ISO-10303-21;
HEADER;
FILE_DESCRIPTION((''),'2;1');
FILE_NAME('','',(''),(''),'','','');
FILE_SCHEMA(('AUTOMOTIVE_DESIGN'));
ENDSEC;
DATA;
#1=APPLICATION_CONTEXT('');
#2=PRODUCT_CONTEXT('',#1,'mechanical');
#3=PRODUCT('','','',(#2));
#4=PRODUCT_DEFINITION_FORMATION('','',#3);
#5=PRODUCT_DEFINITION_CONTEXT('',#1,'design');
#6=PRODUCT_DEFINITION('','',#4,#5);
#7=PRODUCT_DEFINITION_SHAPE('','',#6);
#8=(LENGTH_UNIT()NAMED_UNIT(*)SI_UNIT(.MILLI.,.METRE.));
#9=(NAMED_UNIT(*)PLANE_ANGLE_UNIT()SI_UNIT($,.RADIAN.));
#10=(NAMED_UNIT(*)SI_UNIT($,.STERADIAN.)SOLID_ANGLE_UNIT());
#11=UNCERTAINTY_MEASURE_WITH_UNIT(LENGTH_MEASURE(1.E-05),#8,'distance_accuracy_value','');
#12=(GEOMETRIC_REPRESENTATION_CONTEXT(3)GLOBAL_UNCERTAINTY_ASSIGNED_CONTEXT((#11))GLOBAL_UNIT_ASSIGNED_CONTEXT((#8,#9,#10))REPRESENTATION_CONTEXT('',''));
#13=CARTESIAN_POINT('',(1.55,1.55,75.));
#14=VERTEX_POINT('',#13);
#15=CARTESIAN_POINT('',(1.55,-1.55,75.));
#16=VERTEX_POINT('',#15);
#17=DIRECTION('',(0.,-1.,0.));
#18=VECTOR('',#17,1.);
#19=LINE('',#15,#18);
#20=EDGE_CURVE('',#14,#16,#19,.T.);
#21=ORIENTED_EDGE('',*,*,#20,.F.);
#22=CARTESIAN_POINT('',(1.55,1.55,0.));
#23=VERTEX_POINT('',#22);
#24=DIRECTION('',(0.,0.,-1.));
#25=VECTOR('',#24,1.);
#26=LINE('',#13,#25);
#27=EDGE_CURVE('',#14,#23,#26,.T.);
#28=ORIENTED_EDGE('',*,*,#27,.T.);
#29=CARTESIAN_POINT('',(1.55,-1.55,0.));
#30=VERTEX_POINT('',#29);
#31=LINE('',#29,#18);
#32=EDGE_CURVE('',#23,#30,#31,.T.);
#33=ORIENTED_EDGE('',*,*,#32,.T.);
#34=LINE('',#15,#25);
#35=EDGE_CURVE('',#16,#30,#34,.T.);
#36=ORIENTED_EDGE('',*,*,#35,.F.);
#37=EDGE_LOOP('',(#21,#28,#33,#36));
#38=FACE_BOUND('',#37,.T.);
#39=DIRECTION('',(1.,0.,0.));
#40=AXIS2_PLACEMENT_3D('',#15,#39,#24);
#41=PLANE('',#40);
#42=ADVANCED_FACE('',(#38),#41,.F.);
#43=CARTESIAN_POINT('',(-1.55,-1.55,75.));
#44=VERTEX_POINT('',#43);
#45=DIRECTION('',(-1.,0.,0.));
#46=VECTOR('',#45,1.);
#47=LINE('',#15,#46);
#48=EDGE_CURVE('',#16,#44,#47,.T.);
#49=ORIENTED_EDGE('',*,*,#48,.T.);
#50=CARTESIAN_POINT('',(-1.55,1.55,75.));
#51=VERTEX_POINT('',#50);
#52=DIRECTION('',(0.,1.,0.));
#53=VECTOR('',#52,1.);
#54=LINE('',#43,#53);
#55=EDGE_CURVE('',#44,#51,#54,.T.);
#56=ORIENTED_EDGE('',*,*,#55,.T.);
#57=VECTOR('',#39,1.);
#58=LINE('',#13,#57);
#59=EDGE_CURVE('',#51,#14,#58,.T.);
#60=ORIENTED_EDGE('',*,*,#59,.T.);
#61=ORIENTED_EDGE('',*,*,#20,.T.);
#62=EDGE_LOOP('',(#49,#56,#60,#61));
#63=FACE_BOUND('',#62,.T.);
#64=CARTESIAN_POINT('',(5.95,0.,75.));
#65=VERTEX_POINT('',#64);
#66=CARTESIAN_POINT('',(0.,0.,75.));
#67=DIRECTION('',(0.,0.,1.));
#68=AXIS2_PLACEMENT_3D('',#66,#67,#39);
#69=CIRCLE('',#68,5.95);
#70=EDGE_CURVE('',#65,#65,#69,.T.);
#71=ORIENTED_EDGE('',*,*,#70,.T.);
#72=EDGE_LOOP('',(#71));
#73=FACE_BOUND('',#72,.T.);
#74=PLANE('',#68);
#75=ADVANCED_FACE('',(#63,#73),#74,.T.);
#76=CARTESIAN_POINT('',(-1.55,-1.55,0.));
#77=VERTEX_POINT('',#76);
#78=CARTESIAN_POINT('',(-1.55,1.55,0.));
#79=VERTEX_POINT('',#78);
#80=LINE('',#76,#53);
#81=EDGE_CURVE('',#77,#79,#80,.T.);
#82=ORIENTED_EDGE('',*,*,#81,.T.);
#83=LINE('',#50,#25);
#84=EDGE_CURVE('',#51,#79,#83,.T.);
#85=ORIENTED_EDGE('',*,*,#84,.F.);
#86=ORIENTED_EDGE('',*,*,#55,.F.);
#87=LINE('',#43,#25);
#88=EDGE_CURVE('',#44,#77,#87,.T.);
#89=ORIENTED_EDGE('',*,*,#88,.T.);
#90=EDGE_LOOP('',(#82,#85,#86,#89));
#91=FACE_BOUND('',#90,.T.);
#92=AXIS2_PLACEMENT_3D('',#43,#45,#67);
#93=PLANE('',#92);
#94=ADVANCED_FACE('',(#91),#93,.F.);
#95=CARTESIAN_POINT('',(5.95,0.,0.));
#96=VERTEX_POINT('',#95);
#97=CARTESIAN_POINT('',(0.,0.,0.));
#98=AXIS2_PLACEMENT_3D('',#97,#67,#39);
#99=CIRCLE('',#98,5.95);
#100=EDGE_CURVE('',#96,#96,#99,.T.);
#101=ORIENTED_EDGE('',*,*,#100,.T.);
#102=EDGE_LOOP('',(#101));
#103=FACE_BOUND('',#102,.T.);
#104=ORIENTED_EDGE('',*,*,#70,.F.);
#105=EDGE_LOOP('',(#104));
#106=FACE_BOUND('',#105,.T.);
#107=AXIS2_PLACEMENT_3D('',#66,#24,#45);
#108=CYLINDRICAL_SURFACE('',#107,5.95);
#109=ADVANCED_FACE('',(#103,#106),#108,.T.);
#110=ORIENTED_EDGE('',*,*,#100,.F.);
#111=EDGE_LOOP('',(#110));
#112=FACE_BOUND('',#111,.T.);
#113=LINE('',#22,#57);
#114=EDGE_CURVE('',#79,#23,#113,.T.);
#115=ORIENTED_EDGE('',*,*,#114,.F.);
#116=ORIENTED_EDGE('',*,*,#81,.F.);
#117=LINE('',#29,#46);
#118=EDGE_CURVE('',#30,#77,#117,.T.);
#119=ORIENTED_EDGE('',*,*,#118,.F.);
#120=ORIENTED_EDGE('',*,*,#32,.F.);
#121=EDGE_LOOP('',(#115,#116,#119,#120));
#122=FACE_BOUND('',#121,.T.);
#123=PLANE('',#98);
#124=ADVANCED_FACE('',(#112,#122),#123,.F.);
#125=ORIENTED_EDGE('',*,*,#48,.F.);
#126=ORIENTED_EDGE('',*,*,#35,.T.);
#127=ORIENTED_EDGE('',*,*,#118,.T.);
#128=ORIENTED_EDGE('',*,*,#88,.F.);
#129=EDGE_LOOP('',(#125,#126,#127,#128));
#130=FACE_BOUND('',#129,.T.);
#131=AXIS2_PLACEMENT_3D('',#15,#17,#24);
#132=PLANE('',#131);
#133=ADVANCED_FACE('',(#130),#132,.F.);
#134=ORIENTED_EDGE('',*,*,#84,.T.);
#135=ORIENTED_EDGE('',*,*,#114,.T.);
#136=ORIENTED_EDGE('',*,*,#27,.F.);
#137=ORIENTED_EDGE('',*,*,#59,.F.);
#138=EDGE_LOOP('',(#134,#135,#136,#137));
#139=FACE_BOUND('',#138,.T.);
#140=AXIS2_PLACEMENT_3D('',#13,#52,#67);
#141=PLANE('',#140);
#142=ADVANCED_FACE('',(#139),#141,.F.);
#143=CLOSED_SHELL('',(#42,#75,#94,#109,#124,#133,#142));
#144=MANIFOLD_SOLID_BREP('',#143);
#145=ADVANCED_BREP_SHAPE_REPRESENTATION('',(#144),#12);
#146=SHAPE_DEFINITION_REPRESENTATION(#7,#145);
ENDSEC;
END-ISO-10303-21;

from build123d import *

# Parameters (mm, degrees)
ESQUISSE1_R             = 5.95
BOSS_EXTRU_1_DEPTH      = 75
ESQUISSE2_W             = 3.1
ESQUISSE2_H             = 3.1
ENL_V_MAT_EXTRU_1_DEPTH = 76.470557173


with BuildPart() as part:
    # Esquisse1 → Boss.-Extru.1 (new body)
    with BuildSketch(Plane.XY):
        Circle(ESQUISSE1_R)
    extrude(amount=BOSS_EXTRU_1_DEPTH)

    # Esquisse2 → Enlèv. mat.-Extru.1 (cut, through all)
    with BuildSketch(Plane(origin=(0, 0, 0), x_dir=(-1, 0, 0), z_dir=(0, 0, -1))):
        Rectangle(ESQUISSE2_W, ESQUISSE2_H)
    extrude(amount=-ENL_V_MAT_EXTRU_1_DEPTH, mode=Mode.SUBTRACT)


solid = part.part
